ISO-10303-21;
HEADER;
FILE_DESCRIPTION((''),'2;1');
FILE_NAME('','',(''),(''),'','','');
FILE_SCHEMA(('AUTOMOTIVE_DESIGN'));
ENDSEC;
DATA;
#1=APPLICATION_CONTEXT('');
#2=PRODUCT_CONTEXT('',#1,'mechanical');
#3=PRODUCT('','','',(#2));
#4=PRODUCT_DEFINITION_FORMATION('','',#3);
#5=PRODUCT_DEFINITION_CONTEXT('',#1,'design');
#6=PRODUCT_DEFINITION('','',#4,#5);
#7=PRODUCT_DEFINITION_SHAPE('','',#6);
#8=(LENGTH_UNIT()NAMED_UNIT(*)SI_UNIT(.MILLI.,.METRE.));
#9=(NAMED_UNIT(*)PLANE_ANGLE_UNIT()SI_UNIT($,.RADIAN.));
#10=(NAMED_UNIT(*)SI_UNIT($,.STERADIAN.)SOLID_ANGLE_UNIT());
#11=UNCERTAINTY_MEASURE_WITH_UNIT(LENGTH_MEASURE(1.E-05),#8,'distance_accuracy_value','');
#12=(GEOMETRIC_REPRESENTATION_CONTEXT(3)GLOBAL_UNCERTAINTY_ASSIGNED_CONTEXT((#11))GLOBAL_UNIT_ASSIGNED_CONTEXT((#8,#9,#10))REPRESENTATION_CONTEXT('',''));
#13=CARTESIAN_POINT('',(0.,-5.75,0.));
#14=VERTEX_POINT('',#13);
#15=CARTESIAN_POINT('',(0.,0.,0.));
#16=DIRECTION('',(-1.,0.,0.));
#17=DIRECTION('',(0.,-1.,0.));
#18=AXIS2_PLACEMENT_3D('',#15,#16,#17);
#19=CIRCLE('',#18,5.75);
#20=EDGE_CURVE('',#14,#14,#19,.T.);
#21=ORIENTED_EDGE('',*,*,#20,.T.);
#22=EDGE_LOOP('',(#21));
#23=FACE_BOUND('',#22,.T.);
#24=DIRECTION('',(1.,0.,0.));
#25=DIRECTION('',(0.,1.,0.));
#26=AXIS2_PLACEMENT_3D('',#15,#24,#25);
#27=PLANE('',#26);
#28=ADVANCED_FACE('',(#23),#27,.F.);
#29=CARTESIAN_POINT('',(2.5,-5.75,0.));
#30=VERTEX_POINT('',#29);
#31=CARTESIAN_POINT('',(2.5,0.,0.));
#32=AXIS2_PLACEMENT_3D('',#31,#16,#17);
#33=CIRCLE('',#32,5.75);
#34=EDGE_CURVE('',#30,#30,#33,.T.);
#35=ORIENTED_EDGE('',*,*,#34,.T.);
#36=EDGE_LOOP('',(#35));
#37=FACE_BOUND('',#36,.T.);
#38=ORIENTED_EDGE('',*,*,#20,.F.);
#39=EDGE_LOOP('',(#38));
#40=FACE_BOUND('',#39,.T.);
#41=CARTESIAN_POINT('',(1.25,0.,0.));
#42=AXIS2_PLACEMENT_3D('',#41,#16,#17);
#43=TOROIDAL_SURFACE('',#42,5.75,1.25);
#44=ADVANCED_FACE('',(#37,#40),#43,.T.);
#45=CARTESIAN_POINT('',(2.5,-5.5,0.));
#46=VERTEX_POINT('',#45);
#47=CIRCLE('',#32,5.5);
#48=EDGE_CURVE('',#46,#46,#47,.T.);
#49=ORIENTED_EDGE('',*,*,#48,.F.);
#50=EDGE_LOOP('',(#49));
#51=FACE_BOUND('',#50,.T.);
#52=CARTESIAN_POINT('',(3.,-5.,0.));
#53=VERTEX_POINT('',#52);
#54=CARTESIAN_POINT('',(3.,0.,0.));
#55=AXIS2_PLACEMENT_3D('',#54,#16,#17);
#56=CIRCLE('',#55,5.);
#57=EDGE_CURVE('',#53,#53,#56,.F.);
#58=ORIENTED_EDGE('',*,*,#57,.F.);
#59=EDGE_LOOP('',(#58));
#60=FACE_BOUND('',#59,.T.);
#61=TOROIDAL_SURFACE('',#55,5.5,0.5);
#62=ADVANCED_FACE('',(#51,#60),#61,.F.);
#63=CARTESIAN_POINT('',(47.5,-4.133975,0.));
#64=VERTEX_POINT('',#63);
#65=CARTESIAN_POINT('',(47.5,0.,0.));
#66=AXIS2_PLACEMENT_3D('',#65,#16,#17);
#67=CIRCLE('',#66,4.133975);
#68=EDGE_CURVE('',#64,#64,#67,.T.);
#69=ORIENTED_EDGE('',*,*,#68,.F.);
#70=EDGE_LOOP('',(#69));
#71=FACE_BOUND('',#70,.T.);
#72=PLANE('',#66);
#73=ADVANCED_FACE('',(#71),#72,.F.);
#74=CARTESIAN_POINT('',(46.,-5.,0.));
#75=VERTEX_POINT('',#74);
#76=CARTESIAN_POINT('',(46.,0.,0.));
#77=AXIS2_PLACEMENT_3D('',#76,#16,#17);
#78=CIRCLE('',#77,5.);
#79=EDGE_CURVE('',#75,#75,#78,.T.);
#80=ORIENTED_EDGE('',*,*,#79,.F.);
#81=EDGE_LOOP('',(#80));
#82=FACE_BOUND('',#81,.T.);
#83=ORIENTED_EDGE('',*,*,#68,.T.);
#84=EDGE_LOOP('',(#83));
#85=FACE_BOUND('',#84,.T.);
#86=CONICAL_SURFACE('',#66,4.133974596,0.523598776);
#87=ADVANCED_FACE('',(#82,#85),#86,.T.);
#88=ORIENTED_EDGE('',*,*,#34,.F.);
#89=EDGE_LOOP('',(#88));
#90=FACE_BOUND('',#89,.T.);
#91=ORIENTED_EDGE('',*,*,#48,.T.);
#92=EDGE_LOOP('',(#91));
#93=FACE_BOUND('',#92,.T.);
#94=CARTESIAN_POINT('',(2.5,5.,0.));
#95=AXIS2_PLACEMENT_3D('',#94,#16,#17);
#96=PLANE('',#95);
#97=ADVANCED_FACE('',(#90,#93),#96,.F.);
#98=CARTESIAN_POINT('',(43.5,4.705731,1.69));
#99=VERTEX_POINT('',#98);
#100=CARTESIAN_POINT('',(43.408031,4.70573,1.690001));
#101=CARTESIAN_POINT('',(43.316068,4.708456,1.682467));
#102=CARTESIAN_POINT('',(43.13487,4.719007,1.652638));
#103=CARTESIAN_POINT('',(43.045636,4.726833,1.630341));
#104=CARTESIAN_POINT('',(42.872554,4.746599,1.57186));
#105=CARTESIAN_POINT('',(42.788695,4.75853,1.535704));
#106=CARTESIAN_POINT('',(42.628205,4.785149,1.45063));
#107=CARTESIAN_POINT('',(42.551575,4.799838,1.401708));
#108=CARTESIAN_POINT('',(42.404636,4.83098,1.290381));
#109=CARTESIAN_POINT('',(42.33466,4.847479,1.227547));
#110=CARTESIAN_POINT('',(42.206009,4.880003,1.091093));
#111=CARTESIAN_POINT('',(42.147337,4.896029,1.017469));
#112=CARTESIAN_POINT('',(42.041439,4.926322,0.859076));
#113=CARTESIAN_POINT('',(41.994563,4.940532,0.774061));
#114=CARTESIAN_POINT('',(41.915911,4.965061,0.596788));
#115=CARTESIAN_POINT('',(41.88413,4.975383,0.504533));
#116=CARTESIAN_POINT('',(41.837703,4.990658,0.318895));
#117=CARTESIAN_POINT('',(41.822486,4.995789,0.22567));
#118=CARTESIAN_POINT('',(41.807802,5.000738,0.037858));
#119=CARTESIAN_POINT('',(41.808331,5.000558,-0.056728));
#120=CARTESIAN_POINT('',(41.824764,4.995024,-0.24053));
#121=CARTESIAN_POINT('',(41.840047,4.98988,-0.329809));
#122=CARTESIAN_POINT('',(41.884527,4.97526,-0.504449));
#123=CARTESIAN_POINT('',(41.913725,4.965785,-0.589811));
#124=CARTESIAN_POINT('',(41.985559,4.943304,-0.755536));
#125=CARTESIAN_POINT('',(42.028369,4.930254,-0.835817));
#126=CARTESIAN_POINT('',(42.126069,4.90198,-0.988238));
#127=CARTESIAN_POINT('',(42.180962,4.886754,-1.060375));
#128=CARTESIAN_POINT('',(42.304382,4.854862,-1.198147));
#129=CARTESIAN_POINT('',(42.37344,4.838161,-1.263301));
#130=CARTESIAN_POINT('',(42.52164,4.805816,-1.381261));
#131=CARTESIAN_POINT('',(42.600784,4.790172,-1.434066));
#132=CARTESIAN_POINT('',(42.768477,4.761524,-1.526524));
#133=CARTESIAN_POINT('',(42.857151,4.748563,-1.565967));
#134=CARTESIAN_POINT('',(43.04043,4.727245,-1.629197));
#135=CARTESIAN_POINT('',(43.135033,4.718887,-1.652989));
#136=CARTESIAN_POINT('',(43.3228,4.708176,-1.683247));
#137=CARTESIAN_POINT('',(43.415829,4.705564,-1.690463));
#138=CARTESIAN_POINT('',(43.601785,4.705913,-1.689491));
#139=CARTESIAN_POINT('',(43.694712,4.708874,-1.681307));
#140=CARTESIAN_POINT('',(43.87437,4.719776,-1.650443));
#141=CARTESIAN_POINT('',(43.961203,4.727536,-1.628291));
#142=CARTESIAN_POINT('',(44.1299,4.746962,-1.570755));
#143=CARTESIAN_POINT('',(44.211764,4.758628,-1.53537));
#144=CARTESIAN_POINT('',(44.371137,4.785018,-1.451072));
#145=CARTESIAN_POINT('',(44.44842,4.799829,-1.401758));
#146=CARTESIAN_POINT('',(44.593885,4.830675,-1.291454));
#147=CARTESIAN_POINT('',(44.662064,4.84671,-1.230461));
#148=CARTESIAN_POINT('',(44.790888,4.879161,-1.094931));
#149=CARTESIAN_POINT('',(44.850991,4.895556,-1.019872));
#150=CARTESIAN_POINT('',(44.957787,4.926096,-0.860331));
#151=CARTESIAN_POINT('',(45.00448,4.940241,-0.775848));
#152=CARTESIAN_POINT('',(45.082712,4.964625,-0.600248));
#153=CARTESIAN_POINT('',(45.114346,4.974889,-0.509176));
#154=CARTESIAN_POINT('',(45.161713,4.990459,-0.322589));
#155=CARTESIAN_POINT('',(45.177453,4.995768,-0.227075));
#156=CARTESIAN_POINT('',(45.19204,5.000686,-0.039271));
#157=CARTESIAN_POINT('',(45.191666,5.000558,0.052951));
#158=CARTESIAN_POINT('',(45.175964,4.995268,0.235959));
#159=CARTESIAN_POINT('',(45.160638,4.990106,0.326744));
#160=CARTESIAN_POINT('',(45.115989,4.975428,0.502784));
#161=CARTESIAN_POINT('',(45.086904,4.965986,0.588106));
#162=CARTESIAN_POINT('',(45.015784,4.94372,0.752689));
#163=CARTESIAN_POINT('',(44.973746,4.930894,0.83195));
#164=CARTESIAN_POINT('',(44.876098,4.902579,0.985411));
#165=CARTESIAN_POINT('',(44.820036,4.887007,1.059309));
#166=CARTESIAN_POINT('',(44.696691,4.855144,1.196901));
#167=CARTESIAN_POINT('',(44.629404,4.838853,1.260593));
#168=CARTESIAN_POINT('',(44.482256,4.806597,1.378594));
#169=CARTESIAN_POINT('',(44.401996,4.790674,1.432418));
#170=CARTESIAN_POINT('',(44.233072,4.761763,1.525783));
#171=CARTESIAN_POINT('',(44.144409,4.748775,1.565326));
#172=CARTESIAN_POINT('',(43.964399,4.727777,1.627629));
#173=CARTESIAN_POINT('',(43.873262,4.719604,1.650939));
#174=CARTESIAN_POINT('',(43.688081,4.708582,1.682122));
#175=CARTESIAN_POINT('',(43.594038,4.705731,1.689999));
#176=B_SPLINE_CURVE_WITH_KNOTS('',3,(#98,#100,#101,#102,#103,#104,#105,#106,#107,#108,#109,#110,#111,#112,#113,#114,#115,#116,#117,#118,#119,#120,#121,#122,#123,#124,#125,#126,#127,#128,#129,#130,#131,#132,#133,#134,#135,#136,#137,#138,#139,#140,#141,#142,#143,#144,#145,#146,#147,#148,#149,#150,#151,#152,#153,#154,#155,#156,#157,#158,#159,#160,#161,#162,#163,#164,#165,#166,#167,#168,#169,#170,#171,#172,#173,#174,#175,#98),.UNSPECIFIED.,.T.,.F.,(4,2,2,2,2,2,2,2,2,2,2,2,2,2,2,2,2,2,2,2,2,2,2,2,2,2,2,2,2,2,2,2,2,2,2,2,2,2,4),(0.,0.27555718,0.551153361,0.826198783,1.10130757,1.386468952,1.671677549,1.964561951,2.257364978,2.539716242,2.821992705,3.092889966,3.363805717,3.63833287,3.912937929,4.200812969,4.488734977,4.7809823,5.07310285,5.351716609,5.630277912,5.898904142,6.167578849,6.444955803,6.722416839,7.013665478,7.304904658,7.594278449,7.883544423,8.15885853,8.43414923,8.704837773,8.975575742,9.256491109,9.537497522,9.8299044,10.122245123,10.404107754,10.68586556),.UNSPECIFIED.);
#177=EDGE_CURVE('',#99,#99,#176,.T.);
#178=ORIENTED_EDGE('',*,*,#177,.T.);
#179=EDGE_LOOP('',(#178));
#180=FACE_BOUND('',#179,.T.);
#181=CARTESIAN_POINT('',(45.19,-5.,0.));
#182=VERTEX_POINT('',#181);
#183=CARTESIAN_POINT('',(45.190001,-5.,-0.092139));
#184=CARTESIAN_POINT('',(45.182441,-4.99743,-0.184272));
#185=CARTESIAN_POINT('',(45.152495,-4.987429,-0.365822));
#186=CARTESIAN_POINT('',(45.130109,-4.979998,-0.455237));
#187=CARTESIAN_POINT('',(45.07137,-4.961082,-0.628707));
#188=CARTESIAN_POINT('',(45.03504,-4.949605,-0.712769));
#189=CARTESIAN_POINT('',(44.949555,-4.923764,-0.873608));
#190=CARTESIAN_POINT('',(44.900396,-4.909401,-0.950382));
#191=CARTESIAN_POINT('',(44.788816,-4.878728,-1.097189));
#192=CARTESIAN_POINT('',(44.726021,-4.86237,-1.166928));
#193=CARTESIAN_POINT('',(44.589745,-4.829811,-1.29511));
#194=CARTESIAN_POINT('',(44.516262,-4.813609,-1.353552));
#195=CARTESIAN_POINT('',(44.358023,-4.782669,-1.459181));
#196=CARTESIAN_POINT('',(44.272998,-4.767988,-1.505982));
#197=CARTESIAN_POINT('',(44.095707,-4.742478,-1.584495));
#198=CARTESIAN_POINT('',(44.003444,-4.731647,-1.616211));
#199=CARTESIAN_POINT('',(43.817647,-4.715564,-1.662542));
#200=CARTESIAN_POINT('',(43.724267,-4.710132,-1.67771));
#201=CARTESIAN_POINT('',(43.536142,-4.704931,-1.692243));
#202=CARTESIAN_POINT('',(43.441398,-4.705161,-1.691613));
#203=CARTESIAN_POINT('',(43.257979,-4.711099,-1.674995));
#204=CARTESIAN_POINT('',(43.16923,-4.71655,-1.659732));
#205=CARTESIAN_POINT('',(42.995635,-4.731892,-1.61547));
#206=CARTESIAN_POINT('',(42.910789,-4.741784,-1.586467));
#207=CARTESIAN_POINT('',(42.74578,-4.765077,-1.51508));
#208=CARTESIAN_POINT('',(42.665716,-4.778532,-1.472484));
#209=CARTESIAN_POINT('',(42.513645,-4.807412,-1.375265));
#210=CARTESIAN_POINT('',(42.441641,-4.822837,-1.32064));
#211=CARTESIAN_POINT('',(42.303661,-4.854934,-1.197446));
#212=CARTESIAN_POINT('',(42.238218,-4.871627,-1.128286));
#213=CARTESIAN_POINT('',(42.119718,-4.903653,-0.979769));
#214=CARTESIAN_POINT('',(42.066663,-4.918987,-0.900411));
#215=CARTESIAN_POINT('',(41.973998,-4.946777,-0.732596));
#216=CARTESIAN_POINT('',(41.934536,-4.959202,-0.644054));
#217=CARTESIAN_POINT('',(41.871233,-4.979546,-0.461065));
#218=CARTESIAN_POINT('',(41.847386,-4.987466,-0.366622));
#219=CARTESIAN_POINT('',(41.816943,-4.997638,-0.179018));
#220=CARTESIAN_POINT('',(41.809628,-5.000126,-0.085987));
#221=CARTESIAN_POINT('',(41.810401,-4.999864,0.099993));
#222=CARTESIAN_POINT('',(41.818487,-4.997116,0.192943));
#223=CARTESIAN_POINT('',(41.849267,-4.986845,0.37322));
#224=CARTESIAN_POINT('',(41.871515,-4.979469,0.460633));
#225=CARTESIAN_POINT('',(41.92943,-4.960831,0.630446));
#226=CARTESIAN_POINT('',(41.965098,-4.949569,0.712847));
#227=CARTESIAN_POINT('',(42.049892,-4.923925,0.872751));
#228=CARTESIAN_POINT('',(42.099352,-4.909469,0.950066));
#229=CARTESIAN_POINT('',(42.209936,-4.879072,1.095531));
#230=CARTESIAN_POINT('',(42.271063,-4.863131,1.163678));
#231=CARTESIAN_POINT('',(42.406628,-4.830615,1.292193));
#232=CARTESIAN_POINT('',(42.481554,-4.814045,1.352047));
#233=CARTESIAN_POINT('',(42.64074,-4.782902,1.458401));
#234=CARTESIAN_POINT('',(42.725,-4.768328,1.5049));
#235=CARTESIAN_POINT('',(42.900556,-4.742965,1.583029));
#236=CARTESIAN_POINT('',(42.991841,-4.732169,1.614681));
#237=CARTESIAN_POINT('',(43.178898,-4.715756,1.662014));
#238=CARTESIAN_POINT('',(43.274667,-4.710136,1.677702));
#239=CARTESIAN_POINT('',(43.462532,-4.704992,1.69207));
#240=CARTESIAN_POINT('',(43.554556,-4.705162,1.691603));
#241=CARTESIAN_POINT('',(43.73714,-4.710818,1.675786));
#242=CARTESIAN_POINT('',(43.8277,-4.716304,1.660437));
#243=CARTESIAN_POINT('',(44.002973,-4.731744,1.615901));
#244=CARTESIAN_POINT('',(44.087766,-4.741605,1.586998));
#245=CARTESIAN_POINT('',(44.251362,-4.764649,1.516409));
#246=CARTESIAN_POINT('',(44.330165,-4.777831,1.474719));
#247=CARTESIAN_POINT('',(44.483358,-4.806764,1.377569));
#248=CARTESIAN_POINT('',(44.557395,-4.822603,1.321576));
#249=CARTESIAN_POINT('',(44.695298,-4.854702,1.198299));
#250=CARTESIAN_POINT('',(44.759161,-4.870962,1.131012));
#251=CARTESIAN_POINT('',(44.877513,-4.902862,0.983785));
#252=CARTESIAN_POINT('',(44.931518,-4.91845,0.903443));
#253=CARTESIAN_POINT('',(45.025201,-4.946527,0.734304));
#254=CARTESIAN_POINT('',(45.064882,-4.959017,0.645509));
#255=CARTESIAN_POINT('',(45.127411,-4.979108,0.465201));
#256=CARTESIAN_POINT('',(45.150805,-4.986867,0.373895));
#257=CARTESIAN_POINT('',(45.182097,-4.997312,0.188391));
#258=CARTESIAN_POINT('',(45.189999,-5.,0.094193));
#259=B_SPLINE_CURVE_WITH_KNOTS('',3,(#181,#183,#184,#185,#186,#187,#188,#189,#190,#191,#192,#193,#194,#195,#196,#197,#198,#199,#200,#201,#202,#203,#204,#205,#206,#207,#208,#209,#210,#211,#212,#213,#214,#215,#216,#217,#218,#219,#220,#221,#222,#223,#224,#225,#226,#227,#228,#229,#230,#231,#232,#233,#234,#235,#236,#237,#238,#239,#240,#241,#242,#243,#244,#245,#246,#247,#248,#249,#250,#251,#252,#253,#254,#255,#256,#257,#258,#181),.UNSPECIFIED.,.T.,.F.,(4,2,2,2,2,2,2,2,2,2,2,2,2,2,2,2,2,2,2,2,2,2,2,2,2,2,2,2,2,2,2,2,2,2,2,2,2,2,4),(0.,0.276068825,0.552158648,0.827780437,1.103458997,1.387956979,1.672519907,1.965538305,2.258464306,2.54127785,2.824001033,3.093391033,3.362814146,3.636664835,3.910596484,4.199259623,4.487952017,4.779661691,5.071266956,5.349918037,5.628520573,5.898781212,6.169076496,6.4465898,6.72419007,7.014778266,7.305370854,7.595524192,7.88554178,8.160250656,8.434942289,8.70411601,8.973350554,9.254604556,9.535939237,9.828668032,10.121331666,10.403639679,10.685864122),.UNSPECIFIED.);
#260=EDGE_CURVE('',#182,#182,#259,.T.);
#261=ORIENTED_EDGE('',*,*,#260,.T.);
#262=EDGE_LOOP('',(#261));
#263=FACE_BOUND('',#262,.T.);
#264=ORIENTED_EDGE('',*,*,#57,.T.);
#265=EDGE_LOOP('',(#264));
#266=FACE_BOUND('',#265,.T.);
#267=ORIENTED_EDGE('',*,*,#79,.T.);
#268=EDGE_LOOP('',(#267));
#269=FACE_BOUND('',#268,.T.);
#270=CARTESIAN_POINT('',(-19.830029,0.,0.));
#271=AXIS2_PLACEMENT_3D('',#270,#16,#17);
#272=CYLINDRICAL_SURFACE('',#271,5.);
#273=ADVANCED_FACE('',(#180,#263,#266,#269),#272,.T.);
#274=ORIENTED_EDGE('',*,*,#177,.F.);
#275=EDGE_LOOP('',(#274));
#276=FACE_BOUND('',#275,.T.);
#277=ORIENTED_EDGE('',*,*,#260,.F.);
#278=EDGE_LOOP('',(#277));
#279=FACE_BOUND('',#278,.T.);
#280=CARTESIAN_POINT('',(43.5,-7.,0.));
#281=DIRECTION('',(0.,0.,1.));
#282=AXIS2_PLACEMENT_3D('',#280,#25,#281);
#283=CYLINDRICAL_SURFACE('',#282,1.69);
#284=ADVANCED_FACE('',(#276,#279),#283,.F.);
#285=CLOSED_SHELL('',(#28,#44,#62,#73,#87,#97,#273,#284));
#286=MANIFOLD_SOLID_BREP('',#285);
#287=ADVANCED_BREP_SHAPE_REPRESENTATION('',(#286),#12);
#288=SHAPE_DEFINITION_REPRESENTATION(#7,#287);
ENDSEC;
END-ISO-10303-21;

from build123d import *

# Parameters (mm, degrees)
CHAMFER1_R      = 0.5
HOLE_DEPTH      = 49.520614205
HOLE_DEPTH_BACK = 49.520614205
SKETCH2_R       = 1.69


with BuildPart() as part:
    # Sketch1 → BaseBody (revolve)
    with BuildSketch(Plane.XY, mode=Mode.PRIVATE) as basebody_sk:
        with BuildLine():
            Line((47.5, 0), (0, 0))
            Line((0, 0), (0, 5.75))
            ThreePointArc((0, 5.75), (1.25, 7), (2.5, 5.75))
            Line((2.5, 5.75), (2.5, 5))
            Line((2.5, 5), (46, 5))
            Line((46, 5), (47.5, 4.133974596))
            Line((47.5, 4.133974596), (47.5, 0))
        make_face()
    revolve(basebody_sk.sketch.rotate(Axis((-19.830028721, 0, 0), (1, 0, 0)), 180), axis=Axis((-19.830028721, 0, 0), (1, 0, 0)))

    # Chamfer1
    chamfer1_edges = [part.edges().sort_by_distance(p)[0] for p in [
        (2.5, 5, 0),
    ]]
    fillet(chamfer1_edges, radius=CHAMFER1_R)

    # Sketch2 → Hole (cut, two sides: drawn at the far end of the back side and taken through both)
    with BuildSketch(Plane(origin=(0, 0, 0), x_dir=(1, 0, 0), z_dir=(0, 1, 0)).offset(-HOLE_DEPTH_BACK)):
        with Locations(Location((43.5, 0, 0), (0, 0, 270))):
            Circle(SKETCH2_R)
    extrude(amount=HOLE_DEPTH + HOLE_DEPTH_BACK, mode=Mode.SUBTRACT)


solid = part.part
